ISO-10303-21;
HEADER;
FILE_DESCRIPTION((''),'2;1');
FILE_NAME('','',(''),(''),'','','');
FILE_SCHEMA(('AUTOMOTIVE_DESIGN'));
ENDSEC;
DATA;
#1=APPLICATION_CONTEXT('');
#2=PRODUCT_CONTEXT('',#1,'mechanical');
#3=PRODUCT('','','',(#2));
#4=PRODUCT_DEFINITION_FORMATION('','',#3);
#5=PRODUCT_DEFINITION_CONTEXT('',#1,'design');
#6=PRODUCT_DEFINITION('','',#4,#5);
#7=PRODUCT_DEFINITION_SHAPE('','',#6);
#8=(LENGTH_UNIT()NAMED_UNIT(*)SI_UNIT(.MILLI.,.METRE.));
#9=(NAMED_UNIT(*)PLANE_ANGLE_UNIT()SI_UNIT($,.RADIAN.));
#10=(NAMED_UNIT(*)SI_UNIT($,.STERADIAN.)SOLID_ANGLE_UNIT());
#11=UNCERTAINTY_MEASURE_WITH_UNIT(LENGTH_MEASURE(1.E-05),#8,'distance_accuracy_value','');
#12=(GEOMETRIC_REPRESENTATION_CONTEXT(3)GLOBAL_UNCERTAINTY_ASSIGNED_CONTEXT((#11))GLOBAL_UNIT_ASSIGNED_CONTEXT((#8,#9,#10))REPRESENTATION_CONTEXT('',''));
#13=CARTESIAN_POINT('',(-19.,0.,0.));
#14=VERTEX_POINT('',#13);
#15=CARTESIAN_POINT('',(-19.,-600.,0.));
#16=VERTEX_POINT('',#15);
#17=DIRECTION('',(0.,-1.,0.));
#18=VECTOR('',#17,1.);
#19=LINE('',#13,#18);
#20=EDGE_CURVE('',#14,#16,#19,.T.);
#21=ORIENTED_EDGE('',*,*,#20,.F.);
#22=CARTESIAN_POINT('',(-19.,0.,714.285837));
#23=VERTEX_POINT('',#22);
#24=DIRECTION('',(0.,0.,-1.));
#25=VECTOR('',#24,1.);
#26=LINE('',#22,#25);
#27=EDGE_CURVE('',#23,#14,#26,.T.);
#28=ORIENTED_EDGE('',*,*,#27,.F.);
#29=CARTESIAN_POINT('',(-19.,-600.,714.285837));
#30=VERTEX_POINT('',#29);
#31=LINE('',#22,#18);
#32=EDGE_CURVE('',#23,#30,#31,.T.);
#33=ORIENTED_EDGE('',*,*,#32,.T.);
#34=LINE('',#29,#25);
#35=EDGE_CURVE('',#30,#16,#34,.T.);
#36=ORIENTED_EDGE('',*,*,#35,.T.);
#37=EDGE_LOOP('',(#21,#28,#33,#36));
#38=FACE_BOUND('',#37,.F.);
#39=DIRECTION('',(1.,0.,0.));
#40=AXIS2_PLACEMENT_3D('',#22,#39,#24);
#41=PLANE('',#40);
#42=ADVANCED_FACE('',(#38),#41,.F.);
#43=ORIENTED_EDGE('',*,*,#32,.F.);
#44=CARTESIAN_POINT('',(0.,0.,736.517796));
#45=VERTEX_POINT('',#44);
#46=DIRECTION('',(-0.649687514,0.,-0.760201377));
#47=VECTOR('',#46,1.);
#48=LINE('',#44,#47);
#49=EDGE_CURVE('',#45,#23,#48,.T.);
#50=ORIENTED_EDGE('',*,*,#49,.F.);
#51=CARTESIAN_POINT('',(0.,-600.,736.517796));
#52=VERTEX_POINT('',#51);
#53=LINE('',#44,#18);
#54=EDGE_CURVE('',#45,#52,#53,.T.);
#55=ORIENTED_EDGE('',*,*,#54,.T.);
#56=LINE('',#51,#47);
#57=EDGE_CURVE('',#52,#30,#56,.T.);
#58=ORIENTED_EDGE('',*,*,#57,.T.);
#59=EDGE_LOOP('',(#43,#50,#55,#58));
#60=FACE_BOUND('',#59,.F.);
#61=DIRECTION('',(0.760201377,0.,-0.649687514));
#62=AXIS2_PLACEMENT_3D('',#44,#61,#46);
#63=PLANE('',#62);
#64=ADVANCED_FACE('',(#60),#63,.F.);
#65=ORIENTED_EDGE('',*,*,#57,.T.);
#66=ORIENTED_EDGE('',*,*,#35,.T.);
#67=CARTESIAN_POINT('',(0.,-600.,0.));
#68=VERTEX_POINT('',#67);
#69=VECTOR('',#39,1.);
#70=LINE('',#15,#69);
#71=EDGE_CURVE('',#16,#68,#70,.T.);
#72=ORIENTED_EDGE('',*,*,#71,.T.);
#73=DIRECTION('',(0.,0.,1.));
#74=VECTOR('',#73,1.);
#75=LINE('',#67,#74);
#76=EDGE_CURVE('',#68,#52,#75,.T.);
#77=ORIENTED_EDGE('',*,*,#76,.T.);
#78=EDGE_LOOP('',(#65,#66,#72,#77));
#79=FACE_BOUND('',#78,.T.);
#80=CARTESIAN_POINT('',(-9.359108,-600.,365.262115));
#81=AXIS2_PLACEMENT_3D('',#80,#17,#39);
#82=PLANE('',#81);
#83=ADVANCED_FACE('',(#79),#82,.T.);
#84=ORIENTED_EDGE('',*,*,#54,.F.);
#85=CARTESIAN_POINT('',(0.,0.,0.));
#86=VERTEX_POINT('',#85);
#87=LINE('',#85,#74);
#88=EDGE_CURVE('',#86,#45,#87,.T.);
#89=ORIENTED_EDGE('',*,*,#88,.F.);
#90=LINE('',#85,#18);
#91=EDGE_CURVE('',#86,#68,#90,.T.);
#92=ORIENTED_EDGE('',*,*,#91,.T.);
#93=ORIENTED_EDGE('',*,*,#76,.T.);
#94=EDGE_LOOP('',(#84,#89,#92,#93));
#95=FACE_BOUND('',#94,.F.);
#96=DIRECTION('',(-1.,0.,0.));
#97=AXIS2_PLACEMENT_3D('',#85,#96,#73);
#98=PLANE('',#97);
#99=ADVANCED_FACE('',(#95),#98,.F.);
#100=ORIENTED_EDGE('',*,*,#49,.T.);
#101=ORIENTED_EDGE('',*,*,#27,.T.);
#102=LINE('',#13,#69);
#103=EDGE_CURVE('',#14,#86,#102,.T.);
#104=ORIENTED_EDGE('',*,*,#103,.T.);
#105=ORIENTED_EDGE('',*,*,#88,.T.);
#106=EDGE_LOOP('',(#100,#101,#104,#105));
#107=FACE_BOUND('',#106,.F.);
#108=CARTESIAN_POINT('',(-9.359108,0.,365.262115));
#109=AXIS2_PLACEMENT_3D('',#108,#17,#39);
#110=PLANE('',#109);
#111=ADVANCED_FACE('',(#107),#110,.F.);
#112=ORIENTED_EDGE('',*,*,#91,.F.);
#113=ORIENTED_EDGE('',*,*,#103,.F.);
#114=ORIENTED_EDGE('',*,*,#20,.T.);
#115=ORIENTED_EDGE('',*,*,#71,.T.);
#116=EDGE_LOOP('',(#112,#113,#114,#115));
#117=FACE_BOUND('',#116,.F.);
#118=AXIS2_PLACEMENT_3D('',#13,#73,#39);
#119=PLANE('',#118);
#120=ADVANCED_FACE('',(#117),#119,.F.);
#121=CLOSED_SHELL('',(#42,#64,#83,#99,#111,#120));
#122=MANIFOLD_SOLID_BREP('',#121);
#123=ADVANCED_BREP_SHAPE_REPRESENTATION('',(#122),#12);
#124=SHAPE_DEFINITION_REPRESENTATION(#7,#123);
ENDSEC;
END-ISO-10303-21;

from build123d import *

# Parameters (mm, degrees)
PAD_DEPTH = 600


with BuildPart() as part:
    # Sketch → Pad (new body)
    with BuildSketch(Plane.XZ):
        Polygon((0, 0), (0, 736.517796), (-19, 714.285837), (-19, 0), align=None)
    extrude(amount=PAD_DEPTH)


solid = part.part
